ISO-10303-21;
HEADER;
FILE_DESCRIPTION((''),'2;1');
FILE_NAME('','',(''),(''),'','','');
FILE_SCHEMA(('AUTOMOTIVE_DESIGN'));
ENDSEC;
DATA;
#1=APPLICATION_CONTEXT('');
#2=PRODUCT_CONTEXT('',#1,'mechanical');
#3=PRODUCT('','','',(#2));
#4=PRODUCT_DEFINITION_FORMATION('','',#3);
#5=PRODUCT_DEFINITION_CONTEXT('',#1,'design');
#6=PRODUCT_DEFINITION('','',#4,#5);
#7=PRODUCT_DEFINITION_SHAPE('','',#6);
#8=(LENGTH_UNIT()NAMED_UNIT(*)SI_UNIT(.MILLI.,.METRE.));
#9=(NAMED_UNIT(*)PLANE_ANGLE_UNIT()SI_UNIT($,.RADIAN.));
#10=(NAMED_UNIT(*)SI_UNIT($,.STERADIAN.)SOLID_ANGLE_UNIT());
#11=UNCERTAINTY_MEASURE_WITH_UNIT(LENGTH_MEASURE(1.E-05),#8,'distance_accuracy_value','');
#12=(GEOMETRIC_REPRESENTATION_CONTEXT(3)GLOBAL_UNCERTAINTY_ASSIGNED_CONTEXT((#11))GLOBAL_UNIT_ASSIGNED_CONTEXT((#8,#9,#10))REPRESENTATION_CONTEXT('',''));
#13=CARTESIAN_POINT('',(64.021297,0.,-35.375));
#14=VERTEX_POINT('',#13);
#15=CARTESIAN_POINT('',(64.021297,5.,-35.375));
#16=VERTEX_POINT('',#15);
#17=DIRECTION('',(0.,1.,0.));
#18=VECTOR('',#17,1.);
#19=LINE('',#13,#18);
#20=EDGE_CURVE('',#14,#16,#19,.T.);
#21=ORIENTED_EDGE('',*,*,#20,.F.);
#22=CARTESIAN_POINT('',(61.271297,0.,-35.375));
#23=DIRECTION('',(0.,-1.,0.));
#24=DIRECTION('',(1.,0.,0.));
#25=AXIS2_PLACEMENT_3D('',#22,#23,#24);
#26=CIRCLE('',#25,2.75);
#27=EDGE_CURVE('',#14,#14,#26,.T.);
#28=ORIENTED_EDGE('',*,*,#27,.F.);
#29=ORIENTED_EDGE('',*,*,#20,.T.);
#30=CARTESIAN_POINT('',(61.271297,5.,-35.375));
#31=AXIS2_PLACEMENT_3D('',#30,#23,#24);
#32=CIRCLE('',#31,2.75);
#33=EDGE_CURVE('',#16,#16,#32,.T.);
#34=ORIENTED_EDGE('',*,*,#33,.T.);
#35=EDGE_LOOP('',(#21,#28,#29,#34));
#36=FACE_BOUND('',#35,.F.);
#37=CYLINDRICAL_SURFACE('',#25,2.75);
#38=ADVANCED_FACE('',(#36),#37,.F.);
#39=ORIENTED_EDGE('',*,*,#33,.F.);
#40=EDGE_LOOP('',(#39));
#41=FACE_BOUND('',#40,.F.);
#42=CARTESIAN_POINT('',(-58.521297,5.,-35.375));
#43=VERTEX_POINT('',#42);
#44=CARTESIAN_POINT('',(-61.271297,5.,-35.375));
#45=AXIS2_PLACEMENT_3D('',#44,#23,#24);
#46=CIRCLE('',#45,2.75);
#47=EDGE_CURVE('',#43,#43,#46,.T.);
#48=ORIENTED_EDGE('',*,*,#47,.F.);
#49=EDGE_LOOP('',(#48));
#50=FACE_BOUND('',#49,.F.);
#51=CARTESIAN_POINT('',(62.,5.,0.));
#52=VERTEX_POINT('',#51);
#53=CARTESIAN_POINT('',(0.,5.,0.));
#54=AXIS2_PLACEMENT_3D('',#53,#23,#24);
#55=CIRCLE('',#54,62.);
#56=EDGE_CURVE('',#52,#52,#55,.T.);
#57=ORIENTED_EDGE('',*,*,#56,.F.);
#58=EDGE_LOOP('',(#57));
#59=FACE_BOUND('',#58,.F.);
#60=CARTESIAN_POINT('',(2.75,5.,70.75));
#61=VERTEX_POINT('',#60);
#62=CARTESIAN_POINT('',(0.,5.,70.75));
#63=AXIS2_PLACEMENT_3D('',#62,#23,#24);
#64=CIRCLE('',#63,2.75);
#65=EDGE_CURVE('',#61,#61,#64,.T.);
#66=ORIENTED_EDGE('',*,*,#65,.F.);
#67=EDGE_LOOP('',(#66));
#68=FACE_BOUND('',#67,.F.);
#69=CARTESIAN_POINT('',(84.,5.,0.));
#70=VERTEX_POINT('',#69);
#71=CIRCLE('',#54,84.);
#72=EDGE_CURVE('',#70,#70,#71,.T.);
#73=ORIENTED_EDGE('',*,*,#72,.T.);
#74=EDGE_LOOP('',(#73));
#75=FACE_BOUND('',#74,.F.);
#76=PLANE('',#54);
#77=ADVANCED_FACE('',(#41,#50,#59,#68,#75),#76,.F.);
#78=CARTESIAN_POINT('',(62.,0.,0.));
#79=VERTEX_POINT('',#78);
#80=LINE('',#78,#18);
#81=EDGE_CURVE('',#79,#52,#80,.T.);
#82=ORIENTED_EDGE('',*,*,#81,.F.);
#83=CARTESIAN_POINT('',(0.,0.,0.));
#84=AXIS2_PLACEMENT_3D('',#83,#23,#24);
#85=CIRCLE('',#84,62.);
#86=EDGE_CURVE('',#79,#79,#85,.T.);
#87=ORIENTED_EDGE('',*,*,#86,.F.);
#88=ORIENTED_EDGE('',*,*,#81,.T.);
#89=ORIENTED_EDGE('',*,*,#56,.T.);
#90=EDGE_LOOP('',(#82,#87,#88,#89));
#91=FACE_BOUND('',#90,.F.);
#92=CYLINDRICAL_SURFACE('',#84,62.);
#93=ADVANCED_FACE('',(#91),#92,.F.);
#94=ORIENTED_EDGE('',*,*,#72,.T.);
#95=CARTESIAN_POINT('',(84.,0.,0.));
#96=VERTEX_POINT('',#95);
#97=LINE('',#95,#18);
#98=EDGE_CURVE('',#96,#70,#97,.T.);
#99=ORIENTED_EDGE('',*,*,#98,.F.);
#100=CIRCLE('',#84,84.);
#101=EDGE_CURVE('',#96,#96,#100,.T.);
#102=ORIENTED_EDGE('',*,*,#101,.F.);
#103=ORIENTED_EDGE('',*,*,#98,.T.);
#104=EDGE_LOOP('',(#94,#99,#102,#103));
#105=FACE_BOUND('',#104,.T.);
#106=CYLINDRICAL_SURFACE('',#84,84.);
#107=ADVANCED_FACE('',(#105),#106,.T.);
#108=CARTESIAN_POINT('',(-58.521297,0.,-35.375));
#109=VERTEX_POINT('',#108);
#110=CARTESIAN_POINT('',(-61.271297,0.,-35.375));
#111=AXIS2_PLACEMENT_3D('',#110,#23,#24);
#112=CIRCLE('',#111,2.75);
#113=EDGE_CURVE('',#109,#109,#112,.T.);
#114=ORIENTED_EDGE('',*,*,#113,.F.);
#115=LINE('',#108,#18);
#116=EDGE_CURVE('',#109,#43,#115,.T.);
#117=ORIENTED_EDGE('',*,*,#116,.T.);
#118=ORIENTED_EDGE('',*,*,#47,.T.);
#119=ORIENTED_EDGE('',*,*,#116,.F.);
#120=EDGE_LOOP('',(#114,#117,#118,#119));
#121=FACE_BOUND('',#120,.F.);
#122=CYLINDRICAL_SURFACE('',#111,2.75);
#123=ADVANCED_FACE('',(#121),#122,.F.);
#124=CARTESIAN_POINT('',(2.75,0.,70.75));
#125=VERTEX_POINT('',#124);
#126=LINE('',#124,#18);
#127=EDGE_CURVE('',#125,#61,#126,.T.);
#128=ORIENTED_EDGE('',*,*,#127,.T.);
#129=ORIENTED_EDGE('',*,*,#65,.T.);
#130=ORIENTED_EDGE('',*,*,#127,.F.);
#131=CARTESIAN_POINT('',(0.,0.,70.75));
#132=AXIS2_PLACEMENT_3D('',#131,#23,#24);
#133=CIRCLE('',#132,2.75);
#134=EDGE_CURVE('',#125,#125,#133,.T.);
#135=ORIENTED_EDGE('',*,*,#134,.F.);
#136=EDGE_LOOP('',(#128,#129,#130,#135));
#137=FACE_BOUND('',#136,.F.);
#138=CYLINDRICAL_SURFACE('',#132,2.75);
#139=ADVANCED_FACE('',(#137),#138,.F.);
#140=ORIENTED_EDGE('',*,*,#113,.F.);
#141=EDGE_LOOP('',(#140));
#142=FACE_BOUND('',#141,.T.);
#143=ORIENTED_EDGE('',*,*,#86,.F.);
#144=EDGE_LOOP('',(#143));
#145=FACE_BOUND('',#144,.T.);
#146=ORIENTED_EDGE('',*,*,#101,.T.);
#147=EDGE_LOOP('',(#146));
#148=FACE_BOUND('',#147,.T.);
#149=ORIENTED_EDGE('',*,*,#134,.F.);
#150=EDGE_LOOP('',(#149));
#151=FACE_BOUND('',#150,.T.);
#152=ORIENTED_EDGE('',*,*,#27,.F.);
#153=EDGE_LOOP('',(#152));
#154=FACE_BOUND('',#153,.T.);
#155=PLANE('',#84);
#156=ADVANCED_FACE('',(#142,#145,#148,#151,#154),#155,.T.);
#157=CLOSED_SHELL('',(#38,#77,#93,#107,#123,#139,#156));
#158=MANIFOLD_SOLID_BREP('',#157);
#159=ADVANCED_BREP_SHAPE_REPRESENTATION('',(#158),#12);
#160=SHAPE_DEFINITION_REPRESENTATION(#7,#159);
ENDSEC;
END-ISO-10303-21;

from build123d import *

# Parameters (mm, degrees)
F0_R     = 84
F0_R_2   = 62
F1_DEPTH = 5
F2_R     = 2.75
F3_DEPTH = 5.001


with BuildPart() as f1:
    # F0 (on Front) → F1 (new body)
    with BuildSketch(Plane.XZ):
        Circle(F0_R)
        Circle(F0_R_2, mode=Mode.SUBTRACT)
    extrude(amount=-F1_DEPTH)

    # F2 (on face) → F3 (cut, through all)
    with BuildSketch(Plane.XZ):
        with Locations((0, 70.75)):
            Circle(F2_R)
        with Locations((-61.271297, -35.375)):
            Circle(F2_R)
        with Locations((61.271297, -35.375)):
            Circle(F2_R)
    extrude(amount=-F3_DEPTH, mode=Mode.SUBTRACT)


solid = f1.part
